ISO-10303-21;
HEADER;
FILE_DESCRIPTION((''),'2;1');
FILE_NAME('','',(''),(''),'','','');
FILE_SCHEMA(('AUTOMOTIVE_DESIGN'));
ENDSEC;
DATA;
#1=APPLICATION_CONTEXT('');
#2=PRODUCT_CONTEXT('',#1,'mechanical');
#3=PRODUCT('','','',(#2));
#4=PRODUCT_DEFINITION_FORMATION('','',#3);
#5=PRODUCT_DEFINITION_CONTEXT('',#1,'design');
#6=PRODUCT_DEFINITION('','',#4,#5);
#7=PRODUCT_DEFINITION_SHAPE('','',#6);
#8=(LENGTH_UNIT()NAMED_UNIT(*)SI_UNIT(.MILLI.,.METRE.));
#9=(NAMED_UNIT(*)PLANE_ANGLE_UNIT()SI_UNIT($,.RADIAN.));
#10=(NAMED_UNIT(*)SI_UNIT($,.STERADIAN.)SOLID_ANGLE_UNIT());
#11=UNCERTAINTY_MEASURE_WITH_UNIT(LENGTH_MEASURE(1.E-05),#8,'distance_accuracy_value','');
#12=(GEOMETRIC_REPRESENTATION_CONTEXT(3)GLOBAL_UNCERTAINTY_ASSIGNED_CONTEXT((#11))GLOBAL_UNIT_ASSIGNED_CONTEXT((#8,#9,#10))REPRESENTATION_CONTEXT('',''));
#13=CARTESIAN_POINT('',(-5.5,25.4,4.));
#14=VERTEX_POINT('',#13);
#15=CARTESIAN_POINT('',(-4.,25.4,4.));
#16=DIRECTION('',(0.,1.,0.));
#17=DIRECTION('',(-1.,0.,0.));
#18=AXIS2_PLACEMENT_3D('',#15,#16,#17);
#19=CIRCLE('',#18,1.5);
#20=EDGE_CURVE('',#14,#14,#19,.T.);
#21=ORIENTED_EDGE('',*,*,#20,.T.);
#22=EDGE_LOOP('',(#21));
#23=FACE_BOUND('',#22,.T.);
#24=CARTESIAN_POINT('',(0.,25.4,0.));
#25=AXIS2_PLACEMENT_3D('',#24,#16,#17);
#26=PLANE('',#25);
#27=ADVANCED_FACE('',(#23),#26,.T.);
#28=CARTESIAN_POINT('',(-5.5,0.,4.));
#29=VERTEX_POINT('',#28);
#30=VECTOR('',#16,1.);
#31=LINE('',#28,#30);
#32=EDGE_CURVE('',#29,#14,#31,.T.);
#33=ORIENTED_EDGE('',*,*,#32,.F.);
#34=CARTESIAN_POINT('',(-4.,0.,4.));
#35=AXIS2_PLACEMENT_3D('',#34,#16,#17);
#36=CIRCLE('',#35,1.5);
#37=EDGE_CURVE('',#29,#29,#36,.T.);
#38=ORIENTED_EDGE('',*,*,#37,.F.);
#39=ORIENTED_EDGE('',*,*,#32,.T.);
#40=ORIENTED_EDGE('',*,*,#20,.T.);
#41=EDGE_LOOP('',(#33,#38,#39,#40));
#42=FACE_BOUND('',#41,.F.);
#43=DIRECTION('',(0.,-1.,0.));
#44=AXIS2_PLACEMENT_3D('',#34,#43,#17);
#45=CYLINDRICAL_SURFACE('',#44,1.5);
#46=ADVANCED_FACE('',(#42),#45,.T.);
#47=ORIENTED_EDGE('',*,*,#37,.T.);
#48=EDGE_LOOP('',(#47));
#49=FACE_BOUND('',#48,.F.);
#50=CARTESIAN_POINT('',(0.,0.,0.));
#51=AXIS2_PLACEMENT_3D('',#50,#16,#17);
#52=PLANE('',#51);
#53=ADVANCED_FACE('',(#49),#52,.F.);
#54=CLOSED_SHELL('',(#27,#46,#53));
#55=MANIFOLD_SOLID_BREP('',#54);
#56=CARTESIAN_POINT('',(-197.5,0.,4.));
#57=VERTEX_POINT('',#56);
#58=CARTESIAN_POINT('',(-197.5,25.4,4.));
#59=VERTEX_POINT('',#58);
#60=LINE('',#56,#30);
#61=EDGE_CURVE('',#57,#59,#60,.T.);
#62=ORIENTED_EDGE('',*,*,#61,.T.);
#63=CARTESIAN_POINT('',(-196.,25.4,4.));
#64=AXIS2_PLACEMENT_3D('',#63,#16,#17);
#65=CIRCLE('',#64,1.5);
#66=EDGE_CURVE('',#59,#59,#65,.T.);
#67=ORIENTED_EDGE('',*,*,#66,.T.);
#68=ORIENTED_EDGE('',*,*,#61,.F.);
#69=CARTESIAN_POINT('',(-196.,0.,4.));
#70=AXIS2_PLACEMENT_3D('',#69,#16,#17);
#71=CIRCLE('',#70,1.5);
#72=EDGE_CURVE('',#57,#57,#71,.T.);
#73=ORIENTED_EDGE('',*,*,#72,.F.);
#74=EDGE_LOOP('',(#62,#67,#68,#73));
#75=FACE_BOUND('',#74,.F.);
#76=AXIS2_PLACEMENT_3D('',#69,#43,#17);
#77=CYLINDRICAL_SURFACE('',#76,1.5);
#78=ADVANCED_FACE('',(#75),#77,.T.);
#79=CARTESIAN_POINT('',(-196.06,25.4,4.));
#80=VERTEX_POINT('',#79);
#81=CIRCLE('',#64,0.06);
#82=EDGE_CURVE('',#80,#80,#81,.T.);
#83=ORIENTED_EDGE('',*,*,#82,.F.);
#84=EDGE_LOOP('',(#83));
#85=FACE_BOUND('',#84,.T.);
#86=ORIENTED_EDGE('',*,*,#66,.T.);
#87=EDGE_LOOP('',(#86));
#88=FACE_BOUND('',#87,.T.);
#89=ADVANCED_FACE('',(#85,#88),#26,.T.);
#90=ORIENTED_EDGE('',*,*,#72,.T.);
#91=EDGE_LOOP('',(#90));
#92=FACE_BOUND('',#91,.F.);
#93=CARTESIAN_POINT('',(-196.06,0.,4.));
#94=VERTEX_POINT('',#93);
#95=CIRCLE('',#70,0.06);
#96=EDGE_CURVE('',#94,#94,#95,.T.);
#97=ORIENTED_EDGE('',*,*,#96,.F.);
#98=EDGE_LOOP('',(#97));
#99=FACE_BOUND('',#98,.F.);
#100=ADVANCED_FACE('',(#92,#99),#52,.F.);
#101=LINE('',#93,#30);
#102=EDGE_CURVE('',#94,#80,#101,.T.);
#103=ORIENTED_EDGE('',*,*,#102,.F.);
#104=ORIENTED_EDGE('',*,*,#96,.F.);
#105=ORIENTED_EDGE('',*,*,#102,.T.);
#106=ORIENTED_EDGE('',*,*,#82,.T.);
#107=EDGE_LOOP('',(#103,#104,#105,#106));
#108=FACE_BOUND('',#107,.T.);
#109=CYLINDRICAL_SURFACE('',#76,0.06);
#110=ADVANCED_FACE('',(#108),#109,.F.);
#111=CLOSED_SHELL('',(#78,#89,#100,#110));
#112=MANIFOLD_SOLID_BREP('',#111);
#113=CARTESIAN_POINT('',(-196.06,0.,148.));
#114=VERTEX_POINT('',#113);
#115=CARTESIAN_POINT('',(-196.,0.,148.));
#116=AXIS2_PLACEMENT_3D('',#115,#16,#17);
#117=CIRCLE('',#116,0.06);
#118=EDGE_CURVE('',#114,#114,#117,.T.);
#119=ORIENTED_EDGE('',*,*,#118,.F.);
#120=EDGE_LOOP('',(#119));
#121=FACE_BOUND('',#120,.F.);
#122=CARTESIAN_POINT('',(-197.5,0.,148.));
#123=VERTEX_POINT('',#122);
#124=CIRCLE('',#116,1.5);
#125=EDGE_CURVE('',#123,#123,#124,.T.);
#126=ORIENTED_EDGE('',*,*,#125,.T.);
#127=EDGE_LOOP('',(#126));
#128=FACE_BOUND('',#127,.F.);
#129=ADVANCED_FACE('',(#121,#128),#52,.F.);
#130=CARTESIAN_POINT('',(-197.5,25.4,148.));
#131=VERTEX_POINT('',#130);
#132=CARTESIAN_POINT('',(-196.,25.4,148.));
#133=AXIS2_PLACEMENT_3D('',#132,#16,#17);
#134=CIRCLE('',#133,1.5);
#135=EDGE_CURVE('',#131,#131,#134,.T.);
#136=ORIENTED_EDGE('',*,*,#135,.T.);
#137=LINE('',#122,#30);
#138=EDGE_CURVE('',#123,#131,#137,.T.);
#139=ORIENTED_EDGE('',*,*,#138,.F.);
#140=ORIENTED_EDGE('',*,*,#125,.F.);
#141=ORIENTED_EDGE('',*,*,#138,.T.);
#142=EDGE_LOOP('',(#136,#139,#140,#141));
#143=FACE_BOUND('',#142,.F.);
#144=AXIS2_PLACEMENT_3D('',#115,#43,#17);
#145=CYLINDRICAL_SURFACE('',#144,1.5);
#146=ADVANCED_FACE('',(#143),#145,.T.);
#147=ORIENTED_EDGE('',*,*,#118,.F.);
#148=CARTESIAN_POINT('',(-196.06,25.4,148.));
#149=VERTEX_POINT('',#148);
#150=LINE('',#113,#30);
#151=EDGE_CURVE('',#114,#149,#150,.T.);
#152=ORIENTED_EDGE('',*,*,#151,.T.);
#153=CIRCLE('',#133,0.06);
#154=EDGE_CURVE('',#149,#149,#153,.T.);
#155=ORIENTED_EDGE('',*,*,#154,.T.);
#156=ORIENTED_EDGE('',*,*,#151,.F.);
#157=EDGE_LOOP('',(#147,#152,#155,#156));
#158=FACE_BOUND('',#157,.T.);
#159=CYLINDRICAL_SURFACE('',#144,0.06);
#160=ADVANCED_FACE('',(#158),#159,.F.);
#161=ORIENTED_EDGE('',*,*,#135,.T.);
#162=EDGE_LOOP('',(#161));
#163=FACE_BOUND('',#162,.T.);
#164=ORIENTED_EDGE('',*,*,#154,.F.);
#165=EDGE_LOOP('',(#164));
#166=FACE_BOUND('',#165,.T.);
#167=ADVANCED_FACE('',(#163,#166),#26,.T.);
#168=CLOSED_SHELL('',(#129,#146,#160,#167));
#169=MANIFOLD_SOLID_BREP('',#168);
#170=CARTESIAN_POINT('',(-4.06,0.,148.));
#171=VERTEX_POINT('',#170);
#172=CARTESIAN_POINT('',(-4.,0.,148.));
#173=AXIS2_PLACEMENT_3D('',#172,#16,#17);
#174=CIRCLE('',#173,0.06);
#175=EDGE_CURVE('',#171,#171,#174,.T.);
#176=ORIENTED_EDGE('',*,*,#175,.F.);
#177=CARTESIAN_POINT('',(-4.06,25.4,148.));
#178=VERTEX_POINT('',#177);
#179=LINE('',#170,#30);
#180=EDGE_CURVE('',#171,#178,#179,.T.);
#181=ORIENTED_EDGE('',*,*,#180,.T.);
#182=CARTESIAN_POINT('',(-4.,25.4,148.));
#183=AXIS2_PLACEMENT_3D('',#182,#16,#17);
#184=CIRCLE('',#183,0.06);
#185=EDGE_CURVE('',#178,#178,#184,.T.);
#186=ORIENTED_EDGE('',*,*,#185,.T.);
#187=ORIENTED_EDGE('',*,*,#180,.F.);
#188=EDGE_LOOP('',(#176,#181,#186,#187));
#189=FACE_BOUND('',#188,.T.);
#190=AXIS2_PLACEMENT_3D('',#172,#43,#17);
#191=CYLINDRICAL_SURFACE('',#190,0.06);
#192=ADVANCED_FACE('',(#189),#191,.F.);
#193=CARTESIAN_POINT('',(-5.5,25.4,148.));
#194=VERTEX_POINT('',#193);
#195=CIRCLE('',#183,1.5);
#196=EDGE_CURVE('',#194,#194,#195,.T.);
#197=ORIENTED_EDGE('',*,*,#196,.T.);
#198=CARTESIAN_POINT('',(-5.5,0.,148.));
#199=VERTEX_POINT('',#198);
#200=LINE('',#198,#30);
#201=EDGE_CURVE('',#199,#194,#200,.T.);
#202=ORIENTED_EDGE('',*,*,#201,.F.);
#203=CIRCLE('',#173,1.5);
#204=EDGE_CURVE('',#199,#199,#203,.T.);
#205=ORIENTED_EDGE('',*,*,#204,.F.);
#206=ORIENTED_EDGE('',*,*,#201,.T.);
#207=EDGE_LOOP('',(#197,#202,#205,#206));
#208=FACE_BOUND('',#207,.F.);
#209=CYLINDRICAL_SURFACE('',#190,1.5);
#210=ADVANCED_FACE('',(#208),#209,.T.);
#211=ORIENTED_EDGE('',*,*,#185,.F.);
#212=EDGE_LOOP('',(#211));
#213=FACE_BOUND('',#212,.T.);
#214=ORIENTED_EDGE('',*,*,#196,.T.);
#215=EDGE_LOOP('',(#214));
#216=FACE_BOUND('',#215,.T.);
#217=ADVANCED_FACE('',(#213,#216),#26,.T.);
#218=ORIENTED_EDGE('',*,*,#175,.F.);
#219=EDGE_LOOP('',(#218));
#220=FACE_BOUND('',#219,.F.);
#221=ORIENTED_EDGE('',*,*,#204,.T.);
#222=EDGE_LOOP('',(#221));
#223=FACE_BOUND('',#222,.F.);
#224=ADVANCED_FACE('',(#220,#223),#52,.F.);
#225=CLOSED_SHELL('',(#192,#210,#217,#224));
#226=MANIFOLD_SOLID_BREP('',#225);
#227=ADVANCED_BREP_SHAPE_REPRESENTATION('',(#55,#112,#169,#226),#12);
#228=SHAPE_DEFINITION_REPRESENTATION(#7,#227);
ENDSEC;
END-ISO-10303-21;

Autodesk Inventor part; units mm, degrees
ref_plane "YZ Plane" through (0, 0, 0) normal (1, 0, 0) x (0, 1, 0)
ref_plane "XZ Plane" through (0, 0, 0) normal (0, 1, 0) x (-1, 0, 0)
ref_plane "XY Plane" through (0, 0, 0) normal (0, 0, 1) x (1, 0, 0)
sketch "Sketch1" plane through (0, 0, 0) normal (0, 1, 0) x (-1, 0, 0)
  line L0 (0, 0) -> (200, 0)
  line L1 (200, 0) -> (200, 152)
  line L2 (200, 152) -> (0, 152)
  line L3 (0, 152) -> (0, 0)
  circle A0 centre (4, 4) radius 0.06
  circle A1 centre (196, 148) radius 0.06
  circle A2 centre (4, 148) radius 0.06
  circle A3 centre (196, 4) radius 0.06
  circle A4 centre (4, 148) radius 1.5
  circle A5 centre (4, 4) radius 1.5
  circle A6 centre (196, 4) radius 1.5
  circle A7 centre (196, 148) radius 1.5
  arc A8 (4, 3.9192) -> (4, 4.0808) centre (4, 4) ccw
  arc A9 (4, 4.0808) -> (4, 3.9192) centre (4, 4) ccw
  arc A10 (196, 147.9192) -> (196, 148.0808) centre (196, 148) ccw
  arc A11 (196, 148.0808) -> (196, 147.9192) centre (196, 148) ccw
  arc A12 (4, 147.9192) -> (4, 148.0808) centre (4, 148) ccw
  arc A13 (4, 148.0808) -> (4, 147.9192) centre (4, 148) ccw
  arc A14 (196, 3.9192) -> (196, 4.0808) centre (196, 4) ccw
  arc A15 (196, 4.0808) -> (196, 3.9192) centre (196, 4) ccw
  arc A16 (4, 147.1992) -> (4, 148.8008) centre (4, 148) ccw
  arc A17 (4, 148.8008) -> (4, 147.1992) centre (4, 148) ccw
  arc A18 (4, 3.1992) -> (4, 4.8008) centre (4, 4) ccw
  arc A19 (4, 4.8008) -> (4, 3.1992) centre (4, 4) ccw
  arc A20 (196, 3.1992) -> (196, 4.8008) centre (196, 4) ccw
  arc A21 (196, 4.8008) -> (196, 3.1992) centre (196, 4) ccw
  arc A22 (196, 147.1992) -> (196, 148.8008) centre (196, 148) ccw
  arc A23 (196, 148.8008) -> (196, 147.1992) centre (196, 148) ccw
extrude "Extrusion1" add sketch "Sketch1" along normal blind 25.4 contours A0 | A4 | A5 | A6 | A7 | A9 A8 | A11 A10 | A13 A12 | A15 A14 | A17 A16 | A19 A18 | A21 A20 | A23 A22
properties part number "ALU"
